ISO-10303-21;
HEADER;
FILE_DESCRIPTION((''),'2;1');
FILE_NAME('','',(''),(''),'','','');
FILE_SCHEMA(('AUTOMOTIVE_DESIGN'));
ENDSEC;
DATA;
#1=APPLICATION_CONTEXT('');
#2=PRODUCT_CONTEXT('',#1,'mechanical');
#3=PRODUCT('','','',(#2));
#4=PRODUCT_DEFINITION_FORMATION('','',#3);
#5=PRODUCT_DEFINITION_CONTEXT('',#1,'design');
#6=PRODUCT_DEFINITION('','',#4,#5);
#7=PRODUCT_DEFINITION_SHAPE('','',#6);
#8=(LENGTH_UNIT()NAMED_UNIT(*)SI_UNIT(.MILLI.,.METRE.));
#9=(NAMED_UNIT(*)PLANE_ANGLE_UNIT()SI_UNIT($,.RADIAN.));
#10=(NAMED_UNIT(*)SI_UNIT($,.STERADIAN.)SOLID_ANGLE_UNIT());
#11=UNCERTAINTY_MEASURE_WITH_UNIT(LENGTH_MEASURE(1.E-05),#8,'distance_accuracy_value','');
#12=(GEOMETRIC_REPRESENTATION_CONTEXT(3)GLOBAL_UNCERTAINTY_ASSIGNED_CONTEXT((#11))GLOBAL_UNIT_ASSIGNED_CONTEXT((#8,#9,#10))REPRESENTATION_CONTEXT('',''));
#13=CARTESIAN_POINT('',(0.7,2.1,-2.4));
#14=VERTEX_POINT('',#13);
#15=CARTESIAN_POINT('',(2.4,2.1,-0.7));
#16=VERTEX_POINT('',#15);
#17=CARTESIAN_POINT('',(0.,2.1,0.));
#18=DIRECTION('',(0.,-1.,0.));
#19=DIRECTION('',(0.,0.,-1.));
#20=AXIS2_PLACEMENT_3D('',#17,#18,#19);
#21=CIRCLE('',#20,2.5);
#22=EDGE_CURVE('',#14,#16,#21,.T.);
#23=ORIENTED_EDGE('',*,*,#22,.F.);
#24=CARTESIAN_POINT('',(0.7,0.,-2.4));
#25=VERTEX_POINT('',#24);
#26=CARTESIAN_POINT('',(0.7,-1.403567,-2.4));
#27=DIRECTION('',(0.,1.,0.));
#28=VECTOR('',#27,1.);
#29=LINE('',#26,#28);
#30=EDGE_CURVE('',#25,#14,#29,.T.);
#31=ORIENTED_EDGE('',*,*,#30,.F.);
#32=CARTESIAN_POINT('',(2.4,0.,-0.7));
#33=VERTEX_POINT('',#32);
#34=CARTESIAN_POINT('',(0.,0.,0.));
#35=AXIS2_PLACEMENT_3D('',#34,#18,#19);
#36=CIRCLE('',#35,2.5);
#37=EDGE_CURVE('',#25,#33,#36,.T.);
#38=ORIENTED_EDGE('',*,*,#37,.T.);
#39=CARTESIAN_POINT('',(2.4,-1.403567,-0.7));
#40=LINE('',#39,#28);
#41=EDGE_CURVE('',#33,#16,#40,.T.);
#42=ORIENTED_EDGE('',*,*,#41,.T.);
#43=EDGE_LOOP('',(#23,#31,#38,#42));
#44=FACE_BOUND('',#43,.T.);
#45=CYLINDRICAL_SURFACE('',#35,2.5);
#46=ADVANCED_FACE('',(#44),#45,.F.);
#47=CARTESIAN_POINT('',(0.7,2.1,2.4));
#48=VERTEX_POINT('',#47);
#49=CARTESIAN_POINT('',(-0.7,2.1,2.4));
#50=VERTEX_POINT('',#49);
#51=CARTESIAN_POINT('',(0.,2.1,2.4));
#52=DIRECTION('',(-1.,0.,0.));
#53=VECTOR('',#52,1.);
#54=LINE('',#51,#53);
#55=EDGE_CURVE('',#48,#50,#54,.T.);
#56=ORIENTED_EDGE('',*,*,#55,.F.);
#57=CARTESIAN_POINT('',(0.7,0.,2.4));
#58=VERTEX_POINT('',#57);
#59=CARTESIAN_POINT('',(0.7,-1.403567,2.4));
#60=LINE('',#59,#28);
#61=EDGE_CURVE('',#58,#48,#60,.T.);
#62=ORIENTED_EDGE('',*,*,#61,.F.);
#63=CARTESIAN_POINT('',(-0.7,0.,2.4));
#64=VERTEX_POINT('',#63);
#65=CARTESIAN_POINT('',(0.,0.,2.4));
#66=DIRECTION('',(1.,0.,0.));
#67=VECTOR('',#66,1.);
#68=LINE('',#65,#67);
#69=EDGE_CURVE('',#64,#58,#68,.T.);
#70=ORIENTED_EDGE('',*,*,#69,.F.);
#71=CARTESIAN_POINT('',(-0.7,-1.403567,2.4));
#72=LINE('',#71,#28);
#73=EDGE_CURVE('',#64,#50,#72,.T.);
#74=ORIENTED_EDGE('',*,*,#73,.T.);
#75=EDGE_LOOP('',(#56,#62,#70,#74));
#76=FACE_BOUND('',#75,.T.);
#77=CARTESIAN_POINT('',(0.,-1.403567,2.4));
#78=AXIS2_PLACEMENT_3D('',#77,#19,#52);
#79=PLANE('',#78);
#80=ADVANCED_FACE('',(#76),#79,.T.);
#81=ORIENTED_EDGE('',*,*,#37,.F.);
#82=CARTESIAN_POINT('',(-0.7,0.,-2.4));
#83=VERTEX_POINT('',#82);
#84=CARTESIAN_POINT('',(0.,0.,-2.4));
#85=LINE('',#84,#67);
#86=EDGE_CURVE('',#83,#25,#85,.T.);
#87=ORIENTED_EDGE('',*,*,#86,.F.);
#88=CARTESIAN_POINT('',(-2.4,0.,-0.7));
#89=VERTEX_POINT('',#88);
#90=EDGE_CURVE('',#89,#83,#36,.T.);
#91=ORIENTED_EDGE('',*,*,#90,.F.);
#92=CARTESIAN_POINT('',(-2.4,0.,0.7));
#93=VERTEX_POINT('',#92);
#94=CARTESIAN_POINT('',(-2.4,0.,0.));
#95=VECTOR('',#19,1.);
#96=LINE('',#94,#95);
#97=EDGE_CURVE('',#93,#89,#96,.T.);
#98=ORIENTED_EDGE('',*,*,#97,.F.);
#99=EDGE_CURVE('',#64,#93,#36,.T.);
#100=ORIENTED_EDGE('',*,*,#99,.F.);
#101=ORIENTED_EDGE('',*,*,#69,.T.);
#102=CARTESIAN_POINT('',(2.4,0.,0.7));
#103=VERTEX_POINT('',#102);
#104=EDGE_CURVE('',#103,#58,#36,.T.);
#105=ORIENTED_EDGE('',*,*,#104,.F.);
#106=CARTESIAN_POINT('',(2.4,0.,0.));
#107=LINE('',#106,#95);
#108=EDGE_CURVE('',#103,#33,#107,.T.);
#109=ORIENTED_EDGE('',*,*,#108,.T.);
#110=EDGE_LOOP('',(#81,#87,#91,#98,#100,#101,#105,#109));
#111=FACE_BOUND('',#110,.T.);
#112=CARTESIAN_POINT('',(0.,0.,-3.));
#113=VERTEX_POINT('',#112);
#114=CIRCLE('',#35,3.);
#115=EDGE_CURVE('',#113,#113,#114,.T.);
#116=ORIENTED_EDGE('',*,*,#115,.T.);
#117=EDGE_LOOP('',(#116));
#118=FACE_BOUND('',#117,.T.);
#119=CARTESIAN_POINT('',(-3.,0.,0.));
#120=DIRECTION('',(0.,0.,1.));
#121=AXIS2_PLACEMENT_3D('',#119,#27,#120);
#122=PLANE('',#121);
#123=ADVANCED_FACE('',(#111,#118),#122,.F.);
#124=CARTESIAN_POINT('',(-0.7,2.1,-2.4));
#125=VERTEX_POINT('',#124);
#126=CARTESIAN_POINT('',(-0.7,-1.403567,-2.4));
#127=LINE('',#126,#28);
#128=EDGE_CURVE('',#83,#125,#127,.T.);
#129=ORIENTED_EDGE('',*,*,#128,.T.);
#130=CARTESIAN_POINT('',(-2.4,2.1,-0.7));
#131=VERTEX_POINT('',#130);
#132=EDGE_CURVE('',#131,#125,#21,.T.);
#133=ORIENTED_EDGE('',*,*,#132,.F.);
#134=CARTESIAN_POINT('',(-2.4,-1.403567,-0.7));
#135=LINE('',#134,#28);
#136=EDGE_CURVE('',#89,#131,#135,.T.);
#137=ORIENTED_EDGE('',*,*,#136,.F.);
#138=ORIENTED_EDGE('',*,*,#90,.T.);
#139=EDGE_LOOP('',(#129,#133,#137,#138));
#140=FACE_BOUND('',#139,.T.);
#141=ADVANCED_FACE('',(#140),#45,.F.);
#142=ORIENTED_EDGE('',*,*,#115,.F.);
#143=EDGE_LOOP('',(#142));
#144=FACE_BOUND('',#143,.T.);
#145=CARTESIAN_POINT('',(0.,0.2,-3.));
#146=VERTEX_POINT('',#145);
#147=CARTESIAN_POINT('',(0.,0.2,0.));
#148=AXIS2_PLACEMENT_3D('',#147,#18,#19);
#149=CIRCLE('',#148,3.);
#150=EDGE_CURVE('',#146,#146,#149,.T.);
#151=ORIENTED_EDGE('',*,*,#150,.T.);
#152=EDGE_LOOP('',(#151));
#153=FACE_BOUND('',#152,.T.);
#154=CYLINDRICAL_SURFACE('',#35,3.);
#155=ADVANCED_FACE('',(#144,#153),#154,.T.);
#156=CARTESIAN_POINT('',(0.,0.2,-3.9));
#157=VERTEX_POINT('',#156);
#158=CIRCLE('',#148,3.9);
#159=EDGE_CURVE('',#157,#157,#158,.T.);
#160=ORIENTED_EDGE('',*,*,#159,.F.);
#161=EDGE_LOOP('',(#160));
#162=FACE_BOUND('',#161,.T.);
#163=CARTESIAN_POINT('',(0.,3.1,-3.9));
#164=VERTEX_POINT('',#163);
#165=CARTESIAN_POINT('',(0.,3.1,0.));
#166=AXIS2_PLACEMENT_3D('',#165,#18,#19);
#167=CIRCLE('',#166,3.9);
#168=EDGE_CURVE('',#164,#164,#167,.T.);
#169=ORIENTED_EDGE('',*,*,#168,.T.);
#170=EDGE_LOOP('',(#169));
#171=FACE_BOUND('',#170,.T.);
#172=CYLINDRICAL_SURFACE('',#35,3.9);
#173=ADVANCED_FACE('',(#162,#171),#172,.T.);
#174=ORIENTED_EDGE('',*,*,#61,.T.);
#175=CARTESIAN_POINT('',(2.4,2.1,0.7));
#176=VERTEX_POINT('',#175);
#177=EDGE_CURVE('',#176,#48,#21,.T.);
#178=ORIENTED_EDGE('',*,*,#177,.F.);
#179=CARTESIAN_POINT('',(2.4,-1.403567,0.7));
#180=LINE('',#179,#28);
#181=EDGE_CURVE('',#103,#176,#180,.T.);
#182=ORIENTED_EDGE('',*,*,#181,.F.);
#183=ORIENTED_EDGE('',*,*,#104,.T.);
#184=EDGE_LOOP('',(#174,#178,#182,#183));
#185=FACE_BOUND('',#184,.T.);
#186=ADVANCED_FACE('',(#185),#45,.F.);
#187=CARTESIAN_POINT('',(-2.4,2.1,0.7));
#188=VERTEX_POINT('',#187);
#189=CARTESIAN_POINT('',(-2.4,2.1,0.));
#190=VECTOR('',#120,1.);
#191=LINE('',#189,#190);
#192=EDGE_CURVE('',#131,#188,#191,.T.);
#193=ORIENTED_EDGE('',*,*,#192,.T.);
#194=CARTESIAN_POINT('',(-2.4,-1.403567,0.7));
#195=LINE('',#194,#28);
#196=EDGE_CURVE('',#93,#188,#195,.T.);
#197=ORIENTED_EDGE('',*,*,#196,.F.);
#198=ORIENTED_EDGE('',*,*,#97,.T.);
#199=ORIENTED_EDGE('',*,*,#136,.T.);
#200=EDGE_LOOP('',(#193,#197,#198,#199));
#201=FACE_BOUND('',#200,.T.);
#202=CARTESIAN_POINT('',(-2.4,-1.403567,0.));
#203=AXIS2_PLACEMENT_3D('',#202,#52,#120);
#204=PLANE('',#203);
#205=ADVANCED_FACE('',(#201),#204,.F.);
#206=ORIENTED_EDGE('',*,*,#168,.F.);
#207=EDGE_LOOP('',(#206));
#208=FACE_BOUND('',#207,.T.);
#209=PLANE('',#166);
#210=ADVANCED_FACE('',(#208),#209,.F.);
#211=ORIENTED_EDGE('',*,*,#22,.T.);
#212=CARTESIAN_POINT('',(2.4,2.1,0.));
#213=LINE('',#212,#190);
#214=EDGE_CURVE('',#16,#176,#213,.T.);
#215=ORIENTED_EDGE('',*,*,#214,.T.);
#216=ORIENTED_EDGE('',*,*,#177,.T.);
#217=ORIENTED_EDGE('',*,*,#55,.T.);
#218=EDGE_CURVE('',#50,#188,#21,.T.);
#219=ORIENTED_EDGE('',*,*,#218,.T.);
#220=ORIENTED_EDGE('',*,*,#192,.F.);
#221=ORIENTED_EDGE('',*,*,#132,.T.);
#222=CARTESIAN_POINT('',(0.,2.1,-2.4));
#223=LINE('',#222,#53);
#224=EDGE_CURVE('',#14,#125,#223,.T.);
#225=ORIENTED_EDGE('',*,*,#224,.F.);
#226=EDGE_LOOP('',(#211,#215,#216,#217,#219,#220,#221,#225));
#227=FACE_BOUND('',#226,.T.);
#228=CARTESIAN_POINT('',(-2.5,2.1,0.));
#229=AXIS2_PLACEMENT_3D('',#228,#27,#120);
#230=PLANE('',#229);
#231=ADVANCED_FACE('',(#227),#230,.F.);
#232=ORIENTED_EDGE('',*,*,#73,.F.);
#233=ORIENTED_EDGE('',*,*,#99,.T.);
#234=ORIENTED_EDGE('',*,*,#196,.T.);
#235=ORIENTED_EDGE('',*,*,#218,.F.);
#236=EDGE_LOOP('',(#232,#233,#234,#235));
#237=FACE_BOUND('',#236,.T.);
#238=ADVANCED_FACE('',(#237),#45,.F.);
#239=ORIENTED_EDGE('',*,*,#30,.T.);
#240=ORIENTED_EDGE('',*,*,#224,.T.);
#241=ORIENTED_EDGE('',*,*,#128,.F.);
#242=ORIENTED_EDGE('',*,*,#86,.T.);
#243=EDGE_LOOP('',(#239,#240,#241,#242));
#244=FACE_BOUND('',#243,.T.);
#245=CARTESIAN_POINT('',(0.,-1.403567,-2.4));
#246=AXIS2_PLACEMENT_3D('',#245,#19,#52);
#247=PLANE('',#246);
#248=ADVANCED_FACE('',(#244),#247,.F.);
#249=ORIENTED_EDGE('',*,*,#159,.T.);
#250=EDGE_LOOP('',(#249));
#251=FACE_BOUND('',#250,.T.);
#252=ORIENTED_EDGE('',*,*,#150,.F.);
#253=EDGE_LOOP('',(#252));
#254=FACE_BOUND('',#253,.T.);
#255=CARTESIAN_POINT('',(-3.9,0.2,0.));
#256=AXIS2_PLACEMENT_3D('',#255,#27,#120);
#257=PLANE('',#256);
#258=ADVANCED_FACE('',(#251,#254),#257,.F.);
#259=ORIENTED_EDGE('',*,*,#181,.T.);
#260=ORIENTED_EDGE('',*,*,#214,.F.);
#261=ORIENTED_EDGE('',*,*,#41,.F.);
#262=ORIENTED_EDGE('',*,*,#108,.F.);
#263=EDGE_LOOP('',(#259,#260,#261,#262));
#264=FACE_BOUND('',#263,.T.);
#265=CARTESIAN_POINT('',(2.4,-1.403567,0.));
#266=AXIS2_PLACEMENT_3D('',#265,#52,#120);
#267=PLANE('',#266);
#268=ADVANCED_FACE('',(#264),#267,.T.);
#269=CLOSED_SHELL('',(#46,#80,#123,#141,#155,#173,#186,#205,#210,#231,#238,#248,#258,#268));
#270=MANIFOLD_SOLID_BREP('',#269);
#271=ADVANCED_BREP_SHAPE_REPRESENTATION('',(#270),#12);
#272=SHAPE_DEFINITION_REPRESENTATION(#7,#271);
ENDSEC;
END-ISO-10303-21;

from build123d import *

# Parameters (mm, degrees)
GRIPPING_RIBS_DEPTH = 2.1


with BuildPart() as part:
    # Sketch1 → Main Body (revolve)
    with BuildSketch(Plane.XY, mode=Mode.PRIVATE) as main_body_sk:
        Polygon((0, 3.1), (-3.9, 3.1), (-3.9, 0.2), (-3, 0.2), (-3, 0), (-2.5, 0), (-2.5, 2.1), (0, 2.1), align=None)
    revolve(main_body_sk.sketch.rotate(Axis((0, 0, 0), (0, 1, 0)), 270), axis=Axis((0, 0, 0), (0, 1, 0)))

    # Sketch2 → Gripping Ribs (add)
    with BuildSketch(Plane.XZ.offset(-2.1)):
        with BuildLine():
            Line((-0.7, 2.4), (0.7, 2.4))
            ThreePointArc((0.7, 2.4), (0, 2.5), (-0.7, 2.4))
        make_face()
        with BuildLine():
            ThreePointArc((-2.4, 0.7), (-2.5, 0), (-2.4, -0.7))
            Line((-2.4, -0.7), (-2.4, 0.7))
        make_face()
        with BuildLine():
            Line((2.4, 0.7), (2.4, -0.7))
            ThreePointArc((2.4, -0.7), (2.474873734, -0.353553391), (2.5, 0))
            ThreePointArc((2.5, 0), (2.474873734, 0.353553391), (2.4, 0.7))
        make_face()
        with BuildLine():
            ThreePointArc((-0.7, -2.4), (0, -2.5), (0.7, -2.4))
            Line((0.7, -2.4), (-0.7, -2.4))
        make_face()
    extrude(amount=GRIPPING_RIBS_DEPTH)


solid = part.part
